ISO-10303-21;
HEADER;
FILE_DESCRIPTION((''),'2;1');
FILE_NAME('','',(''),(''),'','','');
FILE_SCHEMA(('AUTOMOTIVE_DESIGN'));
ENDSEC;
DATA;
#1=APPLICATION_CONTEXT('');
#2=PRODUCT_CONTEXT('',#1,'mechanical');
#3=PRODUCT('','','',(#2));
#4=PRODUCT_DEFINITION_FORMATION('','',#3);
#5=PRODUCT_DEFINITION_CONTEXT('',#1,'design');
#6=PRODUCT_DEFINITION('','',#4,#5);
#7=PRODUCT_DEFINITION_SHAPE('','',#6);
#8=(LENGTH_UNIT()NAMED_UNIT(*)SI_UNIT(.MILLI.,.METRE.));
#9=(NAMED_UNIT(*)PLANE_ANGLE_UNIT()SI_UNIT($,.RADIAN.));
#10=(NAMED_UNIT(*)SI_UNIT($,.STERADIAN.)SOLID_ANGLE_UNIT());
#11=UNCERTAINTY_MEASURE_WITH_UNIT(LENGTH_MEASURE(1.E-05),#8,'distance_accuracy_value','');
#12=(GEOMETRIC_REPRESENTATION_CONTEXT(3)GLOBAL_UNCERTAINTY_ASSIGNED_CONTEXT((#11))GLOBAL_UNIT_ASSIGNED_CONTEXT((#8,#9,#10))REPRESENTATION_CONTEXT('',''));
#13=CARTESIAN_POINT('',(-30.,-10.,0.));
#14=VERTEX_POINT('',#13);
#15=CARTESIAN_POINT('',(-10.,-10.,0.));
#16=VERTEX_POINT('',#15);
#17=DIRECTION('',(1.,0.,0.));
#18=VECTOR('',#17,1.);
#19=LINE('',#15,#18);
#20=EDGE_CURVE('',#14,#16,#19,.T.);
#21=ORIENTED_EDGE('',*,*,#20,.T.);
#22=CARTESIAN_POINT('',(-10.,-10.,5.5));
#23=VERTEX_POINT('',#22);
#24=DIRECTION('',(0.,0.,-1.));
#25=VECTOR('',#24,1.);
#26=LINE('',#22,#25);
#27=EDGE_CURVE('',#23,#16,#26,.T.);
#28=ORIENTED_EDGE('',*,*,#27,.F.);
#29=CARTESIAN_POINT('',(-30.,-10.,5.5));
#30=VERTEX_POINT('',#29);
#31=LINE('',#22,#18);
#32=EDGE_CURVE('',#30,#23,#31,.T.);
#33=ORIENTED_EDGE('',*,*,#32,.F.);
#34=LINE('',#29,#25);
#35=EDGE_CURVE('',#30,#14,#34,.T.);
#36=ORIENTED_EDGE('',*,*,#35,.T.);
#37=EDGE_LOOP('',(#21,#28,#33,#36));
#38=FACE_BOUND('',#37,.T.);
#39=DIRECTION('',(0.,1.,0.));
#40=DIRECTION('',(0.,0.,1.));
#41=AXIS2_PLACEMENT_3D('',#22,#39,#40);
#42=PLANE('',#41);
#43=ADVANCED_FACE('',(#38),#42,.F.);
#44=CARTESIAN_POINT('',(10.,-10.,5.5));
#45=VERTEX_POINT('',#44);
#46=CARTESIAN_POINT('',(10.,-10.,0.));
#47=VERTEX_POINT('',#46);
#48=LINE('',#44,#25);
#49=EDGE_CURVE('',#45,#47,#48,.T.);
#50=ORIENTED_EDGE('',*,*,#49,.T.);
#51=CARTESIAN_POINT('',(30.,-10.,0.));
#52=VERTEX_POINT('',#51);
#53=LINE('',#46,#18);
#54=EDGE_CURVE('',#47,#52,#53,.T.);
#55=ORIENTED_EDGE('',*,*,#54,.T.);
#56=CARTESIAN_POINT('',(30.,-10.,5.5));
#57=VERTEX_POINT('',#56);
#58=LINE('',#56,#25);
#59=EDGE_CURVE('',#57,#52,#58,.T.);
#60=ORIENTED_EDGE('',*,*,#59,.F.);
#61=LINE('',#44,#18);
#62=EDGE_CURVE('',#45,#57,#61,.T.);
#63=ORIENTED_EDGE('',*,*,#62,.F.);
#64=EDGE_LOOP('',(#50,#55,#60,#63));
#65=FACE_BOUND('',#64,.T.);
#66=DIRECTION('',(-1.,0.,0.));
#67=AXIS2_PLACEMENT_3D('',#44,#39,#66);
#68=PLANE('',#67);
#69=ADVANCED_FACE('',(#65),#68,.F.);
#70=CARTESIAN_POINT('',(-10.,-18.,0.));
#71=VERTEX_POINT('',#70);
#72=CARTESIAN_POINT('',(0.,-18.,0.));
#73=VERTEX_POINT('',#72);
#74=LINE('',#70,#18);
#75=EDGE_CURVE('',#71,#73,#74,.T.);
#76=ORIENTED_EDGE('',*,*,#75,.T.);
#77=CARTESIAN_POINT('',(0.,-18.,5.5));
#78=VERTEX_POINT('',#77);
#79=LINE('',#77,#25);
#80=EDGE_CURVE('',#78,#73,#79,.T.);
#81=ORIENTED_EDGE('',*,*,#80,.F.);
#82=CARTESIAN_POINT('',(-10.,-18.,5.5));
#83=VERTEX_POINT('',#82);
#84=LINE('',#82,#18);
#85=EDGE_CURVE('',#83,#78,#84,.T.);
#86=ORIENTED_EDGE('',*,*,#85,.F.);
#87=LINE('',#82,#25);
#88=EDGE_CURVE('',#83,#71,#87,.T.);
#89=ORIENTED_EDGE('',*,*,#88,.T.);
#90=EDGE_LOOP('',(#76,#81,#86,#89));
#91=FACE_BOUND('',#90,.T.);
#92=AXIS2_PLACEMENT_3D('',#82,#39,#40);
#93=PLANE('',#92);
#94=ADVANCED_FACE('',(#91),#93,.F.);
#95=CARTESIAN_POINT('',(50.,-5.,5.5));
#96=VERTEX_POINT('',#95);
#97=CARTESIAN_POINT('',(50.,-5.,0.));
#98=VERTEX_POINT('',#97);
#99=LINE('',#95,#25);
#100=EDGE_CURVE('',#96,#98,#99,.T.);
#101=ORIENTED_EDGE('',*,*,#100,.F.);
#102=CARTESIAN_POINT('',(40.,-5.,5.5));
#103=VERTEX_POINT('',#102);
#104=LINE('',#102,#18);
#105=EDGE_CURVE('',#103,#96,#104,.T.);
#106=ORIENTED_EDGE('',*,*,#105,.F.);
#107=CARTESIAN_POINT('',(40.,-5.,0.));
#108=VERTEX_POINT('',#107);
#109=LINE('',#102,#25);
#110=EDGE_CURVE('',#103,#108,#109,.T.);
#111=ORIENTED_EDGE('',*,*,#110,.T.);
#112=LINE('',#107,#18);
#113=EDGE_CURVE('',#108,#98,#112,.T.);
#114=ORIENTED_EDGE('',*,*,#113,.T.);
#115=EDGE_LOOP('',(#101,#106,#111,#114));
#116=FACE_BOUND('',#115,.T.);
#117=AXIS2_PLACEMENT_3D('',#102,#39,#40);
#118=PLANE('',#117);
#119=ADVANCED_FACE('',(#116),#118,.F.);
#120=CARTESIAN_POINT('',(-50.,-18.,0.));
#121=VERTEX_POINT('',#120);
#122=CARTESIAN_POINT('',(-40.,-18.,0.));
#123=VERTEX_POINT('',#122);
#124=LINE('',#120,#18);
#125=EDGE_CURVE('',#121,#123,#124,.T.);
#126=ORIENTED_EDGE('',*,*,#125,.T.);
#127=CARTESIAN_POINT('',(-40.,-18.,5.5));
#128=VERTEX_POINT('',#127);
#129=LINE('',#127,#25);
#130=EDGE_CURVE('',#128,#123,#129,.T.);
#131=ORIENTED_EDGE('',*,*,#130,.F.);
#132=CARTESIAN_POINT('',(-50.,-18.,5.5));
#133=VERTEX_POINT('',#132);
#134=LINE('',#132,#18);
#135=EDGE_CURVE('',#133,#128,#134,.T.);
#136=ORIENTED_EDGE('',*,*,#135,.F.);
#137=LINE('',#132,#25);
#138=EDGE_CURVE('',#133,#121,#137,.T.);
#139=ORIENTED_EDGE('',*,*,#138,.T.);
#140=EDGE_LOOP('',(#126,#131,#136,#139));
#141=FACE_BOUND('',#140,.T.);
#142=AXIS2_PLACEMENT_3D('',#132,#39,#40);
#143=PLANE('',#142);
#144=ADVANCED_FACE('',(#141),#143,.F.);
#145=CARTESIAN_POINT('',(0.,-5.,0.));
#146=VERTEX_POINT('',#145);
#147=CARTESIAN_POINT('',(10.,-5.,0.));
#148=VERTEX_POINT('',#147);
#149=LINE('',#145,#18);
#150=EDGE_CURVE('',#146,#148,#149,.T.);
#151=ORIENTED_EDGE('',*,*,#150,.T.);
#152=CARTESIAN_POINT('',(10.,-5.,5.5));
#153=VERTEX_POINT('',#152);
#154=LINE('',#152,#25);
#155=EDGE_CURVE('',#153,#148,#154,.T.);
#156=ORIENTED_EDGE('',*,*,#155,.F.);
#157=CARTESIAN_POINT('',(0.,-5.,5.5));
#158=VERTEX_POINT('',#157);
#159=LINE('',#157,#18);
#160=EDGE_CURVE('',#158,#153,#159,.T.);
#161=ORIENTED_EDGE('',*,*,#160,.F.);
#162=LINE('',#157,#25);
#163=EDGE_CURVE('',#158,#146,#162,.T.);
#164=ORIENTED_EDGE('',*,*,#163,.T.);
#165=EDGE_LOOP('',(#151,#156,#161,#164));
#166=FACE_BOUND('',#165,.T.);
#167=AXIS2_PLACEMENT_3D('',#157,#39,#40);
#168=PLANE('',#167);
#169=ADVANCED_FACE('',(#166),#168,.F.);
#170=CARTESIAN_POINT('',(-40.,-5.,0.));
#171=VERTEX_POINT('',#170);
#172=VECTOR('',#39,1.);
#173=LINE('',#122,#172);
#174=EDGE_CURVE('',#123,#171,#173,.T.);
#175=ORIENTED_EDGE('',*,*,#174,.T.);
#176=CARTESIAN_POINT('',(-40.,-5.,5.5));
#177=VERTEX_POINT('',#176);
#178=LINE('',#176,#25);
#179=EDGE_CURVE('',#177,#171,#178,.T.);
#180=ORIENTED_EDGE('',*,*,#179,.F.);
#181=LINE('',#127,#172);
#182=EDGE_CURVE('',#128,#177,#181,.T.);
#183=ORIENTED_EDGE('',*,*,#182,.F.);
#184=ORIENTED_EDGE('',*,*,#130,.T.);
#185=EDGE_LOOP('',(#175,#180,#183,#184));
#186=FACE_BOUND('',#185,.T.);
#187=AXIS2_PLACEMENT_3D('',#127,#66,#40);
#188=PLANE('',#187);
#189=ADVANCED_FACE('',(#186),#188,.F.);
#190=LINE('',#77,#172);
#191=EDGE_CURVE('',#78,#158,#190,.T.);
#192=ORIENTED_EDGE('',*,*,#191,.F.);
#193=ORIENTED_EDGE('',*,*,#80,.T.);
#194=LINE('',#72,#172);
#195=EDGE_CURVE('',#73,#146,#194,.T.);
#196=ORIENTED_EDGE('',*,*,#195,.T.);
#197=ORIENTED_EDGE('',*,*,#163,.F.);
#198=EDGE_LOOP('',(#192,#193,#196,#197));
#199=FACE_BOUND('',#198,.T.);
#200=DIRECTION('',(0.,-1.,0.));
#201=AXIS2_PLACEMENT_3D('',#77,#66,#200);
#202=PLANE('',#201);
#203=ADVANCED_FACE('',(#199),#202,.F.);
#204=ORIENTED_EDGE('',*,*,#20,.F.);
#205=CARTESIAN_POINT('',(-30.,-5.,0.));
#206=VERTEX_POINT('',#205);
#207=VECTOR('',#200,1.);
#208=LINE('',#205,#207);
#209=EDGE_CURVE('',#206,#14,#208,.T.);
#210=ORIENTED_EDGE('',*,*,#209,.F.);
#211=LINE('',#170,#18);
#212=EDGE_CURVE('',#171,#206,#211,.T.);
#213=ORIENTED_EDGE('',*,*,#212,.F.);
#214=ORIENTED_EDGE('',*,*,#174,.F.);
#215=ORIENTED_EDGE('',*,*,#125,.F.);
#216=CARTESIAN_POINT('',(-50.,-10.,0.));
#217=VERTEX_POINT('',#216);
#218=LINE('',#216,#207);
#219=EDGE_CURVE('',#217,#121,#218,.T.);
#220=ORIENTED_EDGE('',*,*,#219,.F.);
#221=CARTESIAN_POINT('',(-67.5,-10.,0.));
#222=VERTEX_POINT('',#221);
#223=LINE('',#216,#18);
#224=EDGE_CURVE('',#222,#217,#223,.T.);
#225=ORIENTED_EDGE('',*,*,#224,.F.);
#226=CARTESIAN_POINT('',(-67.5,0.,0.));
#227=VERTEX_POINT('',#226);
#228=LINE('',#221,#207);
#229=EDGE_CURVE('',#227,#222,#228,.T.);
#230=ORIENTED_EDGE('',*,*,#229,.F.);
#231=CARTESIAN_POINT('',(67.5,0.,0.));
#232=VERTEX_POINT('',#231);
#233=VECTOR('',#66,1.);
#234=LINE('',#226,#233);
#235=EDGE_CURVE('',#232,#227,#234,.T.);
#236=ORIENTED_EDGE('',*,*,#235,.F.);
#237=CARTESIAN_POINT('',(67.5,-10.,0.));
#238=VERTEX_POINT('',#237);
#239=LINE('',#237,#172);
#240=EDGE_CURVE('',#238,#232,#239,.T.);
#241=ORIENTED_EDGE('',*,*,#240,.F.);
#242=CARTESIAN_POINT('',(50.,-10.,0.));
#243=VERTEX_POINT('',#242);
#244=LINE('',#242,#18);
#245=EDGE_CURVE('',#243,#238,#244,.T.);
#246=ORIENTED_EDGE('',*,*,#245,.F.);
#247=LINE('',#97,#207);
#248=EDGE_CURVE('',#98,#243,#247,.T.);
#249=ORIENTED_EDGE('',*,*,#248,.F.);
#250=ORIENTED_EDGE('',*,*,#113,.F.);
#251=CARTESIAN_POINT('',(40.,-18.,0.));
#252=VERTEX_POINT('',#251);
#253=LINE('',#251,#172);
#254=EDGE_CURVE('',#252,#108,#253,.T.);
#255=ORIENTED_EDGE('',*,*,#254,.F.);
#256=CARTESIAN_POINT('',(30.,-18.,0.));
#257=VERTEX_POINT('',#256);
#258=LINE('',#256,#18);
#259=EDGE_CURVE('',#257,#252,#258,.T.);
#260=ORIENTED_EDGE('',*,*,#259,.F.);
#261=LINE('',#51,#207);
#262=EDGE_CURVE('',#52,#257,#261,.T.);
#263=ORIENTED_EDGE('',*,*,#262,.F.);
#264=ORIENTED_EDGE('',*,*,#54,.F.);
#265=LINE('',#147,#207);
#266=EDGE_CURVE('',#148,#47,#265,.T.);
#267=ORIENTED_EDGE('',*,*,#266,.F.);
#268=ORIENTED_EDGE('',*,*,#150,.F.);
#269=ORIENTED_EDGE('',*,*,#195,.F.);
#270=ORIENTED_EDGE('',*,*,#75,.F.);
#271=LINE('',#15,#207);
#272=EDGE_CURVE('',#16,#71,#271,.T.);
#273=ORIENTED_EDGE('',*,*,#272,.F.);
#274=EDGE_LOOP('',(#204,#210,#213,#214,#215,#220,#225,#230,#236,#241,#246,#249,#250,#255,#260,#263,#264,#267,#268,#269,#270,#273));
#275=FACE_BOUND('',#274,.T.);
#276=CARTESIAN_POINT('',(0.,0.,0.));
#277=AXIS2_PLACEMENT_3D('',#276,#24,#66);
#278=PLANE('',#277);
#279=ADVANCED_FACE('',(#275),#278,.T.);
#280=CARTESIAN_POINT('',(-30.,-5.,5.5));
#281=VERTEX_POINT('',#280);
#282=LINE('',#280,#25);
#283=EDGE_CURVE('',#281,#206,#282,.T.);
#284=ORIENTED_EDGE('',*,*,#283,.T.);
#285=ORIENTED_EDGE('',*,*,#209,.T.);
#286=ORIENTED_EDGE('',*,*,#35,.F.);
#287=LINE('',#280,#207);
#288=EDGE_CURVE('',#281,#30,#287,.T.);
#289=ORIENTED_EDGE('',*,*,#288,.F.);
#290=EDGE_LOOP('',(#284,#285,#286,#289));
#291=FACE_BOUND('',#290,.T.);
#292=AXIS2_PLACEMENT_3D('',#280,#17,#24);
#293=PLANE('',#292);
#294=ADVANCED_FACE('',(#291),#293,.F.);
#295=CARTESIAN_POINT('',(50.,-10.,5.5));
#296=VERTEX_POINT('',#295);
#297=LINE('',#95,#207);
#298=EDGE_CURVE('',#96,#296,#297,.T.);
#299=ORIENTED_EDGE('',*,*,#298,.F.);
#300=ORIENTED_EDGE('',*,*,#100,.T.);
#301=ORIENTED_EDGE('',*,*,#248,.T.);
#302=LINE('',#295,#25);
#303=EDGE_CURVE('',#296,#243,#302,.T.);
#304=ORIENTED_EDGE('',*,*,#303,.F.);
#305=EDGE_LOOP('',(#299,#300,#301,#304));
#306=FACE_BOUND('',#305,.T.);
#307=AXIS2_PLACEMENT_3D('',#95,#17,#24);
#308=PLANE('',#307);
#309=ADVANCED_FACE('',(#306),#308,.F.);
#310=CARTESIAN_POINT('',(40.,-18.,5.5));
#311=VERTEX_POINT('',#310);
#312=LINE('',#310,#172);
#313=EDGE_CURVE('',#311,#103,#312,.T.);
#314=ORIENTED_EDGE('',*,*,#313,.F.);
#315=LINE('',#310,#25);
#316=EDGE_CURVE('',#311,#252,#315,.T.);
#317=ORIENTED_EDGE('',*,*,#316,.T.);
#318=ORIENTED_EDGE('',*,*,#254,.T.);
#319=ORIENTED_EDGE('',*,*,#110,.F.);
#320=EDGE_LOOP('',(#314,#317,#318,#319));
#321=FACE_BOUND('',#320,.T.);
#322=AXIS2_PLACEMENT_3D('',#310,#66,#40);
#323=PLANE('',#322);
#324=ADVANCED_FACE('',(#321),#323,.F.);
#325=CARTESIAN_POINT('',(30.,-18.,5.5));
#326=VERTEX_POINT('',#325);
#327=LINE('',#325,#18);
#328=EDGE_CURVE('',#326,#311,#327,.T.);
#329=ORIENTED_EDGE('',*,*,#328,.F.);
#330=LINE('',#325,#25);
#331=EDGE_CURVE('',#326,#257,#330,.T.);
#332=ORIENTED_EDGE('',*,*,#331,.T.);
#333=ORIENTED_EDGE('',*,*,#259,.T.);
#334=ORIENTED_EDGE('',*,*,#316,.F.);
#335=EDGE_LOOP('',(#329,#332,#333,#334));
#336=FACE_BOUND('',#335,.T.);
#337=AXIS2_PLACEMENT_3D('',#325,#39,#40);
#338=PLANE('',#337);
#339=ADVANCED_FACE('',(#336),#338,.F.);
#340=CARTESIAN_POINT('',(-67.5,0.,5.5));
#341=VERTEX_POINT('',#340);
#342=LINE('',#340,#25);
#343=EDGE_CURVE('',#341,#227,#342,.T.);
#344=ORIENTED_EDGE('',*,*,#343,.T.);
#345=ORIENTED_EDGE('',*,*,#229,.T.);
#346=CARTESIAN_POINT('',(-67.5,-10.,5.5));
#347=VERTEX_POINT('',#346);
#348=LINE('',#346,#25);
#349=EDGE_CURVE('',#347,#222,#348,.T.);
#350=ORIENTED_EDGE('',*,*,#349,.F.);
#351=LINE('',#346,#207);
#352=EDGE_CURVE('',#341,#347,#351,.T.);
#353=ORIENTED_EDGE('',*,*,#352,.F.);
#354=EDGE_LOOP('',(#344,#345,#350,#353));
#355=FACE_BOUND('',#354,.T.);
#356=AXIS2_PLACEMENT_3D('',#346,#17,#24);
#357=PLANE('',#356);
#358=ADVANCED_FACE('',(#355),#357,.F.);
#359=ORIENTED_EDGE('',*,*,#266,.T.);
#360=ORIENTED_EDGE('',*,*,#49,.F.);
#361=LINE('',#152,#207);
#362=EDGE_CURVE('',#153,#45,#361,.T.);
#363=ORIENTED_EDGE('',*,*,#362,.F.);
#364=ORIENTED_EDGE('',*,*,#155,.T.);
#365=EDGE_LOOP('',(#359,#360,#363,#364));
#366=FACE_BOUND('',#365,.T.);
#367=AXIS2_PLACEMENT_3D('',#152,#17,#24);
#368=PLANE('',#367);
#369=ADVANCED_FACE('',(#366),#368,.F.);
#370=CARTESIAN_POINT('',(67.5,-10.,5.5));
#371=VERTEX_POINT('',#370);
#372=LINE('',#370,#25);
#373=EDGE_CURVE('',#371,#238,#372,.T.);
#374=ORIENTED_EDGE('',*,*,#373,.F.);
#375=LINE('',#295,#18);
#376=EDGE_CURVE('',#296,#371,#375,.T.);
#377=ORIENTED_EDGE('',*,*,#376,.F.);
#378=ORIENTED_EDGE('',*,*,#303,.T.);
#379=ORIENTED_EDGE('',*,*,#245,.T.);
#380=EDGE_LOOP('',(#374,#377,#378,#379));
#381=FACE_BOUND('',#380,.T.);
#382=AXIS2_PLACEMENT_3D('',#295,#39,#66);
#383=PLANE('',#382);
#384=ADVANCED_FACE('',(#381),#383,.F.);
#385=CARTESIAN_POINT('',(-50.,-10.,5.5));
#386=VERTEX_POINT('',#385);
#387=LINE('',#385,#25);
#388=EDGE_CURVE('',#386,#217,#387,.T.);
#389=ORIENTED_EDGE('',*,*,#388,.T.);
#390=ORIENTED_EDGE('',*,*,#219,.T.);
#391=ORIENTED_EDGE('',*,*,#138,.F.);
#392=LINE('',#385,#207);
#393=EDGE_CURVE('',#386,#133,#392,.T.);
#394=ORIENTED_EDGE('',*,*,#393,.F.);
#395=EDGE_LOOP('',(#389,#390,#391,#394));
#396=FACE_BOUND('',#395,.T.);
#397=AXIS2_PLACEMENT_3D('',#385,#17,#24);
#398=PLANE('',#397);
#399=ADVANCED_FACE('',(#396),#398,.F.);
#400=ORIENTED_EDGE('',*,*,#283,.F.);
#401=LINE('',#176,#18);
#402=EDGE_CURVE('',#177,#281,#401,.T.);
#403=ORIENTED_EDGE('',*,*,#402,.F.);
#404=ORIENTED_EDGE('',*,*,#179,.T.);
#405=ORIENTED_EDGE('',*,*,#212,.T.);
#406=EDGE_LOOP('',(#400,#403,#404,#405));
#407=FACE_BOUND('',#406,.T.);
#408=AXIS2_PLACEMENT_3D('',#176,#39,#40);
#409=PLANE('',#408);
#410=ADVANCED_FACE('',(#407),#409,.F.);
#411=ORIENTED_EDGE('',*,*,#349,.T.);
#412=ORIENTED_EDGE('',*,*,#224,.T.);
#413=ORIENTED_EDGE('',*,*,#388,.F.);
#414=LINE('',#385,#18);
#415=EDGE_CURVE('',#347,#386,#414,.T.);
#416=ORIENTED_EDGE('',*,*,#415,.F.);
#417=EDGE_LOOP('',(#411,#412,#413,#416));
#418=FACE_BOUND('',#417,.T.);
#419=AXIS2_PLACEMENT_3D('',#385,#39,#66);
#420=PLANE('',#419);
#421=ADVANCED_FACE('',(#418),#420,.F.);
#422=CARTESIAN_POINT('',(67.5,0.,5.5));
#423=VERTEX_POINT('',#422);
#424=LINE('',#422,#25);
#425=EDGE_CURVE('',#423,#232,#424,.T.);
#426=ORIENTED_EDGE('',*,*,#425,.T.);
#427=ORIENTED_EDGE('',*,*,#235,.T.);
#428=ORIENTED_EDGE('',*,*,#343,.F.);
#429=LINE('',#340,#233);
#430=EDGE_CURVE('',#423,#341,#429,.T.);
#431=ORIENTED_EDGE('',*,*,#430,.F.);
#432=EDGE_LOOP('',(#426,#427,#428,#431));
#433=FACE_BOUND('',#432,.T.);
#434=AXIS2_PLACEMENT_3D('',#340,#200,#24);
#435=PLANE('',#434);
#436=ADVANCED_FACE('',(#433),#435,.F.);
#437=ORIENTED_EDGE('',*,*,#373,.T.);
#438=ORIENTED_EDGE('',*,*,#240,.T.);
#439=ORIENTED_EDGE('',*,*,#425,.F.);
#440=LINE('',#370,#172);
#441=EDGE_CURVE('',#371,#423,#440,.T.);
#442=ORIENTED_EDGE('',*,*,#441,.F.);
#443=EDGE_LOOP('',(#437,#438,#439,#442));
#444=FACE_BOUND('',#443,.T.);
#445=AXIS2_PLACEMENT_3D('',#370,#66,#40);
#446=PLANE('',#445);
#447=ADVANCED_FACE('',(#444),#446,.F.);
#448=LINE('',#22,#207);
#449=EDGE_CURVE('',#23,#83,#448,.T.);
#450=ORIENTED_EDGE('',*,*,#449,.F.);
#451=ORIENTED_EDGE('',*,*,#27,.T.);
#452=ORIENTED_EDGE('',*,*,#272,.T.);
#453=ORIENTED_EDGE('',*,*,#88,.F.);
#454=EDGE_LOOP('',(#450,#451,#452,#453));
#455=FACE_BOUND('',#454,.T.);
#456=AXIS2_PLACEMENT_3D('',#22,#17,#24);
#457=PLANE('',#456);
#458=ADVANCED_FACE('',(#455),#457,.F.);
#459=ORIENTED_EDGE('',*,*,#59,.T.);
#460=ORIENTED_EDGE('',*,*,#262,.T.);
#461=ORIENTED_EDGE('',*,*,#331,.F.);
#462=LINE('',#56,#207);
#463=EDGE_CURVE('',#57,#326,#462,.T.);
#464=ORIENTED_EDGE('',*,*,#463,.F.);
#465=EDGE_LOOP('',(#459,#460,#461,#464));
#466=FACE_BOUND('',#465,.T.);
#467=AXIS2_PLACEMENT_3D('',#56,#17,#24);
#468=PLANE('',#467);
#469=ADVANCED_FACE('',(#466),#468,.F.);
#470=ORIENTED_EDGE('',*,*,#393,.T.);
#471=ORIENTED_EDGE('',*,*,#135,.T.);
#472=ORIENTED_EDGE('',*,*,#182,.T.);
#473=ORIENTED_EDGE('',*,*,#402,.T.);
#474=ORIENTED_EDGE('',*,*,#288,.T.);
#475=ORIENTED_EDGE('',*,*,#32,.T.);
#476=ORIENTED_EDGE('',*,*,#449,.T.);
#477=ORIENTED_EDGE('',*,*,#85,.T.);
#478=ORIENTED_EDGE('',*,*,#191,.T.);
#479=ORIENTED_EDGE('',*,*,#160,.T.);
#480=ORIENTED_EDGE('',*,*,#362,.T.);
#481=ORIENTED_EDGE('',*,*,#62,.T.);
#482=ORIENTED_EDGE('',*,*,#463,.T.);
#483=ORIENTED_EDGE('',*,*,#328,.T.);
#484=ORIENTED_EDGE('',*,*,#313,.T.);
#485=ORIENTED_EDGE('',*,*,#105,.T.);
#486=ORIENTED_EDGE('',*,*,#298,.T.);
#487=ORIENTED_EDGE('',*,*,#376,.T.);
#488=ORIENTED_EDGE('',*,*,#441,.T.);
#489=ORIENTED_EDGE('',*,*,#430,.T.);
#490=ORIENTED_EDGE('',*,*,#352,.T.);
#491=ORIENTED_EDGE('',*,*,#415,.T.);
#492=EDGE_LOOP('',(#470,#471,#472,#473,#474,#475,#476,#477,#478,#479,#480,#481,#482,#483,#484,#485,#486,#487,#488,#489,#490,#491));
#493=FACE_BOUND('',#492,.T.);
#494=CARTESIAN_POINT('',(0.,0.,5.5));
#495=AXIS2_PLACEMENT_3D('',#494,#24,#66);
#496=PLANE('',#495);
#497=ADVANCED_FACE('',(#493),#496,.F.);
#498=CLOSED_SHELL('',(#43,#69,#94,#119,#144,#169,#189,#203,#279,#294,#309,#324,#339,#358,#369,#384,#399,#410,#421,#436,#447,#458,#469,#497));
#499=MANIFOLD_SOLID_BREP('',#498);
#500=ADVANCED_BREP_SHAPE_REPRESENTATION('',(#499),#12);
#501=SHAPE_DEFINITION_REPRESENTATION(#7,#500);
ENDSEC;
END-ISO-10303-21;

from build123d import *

# Parameters (mm, degrees)
EXTRUDE_1_DEPTH = 5.5


with BuildPart() as part:
    # 草图1 → 凸台-拉伸1 (new body)
    with BuildSketch(Plane.XY):
        Polygon((-67.5, -10), (-67.5, 0), (67.5, 0), (67.5, -10), (50, -10), (50, -5), (40, -5), (40, -18), (30, -18), (30, -10), (10, -10), (10, -5), (0, -5), (0, -18), (-10, -18), (-10, -10), (-30, -10), (-30, -5), (-40, -5), (-40, -18), (-50, -18), (-50, -10), align=None)
    extrude(amount=EXTRUDE_1_DEPTH)


solid = part.part
